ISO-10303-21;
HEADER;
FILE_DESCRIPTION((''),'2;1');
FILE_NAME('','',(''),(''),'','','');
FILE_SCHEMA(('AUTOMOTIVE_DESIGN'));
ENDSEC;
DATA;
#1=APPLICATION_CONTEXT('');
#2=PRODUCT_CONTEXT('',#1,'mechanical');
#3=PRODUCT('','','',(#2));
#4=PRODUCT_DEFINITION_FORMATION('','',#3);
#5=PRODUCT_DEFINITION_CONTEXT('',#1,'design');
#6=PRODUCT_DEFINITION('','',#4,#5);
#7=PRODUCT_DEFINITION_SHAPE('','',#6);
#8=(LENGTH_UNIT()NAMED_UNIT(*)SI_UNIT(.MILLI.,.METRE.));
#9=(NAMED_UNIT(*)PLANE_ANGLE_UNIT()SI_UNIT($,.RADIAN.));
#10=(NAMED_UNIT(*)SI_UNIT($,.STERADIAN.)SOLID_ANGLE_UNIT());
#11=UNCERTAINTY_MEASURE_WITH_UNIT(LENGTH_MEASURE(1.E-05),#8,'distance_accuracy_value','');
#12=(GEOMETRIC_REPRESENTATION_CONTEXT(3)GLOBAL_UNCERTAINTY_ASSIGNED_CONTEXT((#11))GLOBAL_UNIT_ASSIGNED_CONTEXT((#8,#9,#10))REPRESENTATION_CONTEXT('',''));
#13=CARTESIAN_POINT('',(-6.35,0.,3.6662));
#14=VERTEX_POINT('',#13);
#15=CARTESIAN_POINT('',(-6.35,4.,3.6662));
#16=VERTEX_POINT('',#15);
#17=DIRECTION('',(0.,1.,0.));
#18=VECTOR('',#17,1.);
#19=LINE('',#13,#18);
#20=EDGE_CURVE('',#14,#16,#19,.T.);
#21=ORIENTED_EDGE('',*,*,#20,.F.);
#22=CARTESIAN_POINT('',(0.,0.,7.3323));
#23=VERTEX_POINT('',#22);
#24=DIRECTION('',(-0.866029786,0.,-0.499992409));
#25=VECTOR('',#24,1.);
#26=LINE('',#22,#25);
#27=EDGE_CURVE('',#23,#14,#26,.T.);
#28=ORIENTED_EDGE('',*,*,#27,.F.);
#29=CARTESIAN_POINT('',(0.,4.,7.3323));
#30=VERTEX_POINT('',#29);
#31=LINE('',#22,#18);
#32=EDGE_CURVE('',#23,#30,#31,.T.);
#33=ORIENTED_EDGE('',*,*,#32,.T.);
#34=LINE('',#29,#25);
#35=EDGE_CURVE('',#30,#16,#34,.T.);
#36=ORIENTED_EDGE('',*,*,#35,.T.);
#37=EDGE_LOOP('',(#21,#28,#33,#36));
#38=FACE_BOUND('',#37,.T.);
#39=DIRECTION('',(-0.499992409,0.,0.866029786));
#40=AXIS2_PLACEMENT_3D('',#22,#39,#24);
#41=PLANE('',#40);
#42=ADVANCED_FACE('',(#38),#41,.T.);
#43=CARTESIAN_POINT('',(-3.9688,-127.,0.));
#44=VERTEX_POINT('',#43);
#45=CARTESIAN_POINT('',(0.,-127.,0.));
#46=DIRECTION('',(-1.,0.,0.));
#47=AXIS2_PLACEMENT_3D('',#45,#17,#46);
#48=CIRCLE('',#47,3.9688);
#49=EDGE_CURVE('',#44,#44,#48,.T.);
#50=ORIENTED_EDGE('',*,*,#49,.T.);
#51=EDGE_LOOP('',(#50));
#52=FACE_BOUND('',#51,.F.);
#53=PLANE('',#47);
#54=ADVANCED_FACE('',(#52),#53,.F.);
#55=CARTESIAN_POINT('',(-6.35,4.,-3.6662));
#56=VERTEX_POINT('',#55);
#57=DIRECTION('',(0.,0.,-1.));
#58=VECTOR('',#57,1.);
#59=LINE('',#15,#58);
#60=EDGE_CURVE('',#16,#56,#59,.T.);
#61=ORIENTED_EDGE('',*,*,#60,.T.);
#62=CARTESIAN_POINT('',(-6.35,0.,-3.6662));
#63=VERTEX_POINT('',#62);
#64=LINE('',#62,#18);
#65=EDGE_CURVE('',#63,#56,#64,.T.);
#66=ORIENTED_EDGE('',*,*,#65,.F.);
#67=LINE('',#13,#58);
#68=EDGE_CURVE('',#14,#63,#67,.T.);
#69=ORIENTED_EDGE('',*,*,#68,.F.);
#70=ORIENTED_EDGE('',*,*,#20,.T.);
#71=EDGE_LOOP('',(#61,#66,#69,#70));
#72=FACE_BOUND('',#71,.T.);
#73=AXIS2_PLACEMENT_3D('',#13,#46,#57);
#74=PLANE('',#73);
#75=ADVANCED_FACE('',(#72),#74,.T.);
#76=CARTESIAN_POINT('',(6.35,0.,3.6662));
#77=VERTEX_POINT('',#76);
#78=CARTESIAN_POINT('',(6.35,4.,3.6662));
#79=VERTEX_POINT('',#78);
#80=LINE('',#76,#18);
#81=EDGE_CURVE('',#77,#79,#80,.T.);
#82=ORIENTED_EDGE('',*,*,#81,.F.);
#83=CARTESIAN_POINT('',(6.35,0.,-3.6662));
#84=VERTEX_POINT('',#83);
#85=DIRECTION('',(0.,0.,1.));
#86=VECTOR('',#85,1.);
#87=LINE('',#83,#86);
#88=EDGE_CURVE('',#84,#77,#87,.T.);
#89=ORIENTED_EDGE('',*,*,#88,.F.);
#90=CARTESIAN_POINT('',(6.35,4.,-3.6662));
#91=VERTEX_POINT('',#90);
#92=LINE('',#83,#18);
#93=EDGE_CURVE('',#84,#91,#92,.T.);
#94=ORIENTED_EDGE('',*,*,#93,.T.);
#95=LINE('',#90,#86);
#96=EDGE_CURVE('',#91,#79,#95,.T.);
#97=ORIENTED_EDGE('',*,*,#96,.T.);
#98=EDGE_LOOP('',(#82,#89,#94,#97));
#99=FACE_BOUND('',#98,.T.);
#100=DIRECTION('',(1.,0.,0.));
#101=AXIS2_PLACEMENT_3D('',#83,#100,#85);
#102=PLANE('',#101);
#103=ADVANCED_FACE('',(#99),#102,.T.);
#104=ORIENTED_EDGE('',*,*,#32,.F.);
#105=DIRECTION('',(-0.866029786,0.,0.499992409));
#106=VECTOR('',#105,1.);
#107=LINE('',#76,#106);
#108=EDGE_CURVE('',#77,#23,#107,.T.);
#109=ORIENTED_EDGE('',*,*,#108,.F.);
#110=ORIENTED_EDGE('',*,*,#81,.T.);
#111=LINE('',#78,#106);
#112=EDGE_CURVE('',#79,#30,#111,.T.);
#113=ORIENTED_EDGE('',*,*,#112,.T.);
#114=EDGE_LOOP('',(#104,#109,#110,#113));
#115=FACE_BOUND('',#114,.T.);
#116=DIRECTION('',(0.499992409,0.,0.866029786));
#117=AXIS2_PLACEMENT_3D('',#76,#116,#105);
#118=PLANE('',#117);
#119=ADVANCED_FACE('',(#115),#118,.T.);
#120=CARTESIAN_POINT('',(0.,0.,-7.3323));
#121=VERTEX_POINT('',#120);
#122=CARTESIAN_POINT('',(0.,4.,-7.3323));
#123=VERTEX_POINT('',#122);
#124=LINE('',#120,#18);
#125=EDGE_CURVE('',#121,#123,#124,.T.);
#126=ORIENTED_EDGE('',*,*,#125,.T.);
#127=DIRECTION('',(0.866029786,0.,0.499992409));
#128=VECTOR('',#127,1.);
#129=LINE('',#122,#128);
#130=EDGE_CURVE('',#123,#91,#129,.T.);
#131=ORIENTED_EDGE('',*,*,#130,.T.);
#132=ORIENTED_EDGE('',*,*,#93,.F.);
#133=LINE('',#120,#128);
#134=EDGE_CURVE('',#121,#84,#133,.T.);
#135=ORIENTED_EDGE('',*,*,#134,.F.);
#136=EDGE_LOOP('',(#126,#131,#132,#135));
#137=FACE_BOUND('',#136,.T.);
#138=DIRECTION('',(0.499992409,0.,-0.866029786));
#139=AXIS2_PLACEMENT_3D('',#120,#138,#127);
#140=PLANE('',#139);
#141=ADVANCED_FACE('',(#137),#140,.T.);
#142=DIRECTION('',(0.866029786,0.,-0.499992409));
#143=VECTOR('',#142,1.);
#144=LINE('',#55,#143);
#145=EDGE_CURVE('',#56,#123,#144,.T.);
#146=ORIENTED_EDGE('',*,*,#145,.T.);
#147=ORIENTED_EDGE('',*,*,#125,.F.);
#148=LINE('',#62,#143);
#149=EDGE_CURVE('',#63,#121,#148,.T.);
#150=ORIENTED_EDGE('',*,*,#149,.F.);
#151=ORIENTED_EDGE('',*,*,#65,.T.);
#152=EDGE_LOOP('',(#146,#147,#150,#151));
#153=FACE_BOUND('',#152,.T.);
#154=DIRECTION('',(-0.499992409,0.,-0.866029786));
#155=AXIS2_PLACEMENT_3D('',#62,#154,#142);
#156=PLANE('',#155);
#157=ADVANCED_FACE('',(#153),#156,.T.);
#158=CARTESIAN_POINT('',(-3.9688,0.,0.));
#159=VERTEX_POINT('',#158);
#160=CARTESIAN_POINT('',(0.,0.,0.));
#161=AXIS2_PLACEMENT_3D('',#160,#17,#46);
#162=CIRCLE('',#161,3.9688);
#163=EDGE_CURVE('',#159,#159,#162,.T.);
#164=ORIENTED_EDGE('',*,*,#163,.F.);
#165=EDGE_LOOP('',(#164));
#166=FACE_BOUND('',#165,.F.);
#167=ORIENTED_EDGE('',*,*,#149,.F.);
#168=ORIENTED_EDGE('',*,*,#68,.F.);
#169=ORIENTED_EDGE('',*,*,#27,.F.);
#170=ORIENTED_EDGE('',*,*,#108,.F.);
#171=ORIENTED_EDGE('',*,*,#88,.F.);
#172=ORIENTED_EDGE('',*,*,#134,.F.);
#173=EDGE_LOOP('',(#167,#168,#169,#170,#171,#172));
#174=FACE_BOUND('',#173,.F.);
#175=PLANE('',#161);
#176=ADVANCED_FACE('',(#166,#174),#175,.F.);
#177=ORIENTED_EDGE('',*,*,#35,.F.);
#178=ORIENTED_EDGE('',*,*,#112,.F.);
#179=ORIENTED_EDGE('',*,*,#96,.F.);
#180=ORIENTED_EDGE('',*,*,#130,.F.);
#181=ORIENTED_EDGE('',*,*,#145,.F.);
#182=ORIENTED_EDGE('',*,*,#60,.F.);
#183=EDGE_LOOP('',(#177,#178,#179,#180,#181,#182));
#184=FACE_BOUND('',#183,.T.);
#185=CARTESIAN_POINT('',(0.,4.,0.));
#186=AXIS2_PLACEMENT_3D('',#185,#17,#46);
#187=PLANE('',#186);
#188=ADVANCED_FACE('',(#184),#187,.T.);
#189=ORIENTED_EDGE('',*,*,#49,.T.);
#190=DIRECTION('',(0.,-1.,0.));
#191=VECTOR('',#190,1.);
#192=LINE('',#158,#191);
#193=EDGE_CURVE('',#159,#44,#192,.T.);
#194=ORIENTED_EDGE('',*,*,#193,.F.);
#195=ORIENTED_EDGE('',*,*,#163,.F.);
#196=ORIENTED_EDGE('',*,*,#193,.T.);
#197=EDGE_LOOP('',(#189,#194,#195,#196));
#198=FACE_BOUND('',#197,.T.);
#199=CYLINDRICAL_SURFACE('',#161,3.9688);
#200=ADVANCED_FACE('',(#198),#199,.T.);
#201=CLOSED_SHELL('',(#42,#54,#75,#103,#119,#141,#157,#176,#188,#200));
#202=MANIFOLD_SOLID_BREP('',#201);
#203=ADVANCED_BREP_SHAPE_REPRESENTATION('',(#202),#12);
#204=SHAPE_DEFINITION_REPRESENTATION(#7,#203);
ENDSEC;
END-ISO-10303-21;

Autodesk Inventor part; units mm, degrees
ref_plane "YZ Plane" through (0, 0, 0) normal (1, 0, 0) x (0, 1, 0)
ref_plane "XZ Plane" through (0, 0, 0) normal (0, 1, 0) x (-1, 0, 0)
ref_plane "XY Plane" through (0, 0, 0) normal (0, 0, 1) x (1, 0, 0)
sketch "Sketch1" plane through (0, 0, 0) normal (0, 1, 0) x (-1, 0, 0)
  line L0 (6.35, 3.6662) -> (6.35, -3.6662)
  line L1 (6.35, -3.6662) -> (0, -7.3323)
  line L2 (0, -7.3323) -> (-6.35, -3.6662)
  line L3 (-6.35, -3.6662) -> (-6.35, 3.6662)
  line L4 (-6.35, 3.6662) -> (0, 7.3323)
  line L5 (0, 7.3323) -> (6.35, 3.6662)
  circle A0 centre (0, 0) radius 3.9688
  dimension "d0" = 12.7
  dimension "d1" = 7.9375
extrude "Extrusion1" add sketch "Sketch1" along normal blind 4 contours L0 L1 L2 L3 L4 L5 | A0
extrude "Extrusion2" add sketch "Sketch1" against normal blind 127 contours A0
thread "Thread1" size "M8x1.25" class "6g" standard "ANSI Metric M Profile" full length
properties part number "perno"
